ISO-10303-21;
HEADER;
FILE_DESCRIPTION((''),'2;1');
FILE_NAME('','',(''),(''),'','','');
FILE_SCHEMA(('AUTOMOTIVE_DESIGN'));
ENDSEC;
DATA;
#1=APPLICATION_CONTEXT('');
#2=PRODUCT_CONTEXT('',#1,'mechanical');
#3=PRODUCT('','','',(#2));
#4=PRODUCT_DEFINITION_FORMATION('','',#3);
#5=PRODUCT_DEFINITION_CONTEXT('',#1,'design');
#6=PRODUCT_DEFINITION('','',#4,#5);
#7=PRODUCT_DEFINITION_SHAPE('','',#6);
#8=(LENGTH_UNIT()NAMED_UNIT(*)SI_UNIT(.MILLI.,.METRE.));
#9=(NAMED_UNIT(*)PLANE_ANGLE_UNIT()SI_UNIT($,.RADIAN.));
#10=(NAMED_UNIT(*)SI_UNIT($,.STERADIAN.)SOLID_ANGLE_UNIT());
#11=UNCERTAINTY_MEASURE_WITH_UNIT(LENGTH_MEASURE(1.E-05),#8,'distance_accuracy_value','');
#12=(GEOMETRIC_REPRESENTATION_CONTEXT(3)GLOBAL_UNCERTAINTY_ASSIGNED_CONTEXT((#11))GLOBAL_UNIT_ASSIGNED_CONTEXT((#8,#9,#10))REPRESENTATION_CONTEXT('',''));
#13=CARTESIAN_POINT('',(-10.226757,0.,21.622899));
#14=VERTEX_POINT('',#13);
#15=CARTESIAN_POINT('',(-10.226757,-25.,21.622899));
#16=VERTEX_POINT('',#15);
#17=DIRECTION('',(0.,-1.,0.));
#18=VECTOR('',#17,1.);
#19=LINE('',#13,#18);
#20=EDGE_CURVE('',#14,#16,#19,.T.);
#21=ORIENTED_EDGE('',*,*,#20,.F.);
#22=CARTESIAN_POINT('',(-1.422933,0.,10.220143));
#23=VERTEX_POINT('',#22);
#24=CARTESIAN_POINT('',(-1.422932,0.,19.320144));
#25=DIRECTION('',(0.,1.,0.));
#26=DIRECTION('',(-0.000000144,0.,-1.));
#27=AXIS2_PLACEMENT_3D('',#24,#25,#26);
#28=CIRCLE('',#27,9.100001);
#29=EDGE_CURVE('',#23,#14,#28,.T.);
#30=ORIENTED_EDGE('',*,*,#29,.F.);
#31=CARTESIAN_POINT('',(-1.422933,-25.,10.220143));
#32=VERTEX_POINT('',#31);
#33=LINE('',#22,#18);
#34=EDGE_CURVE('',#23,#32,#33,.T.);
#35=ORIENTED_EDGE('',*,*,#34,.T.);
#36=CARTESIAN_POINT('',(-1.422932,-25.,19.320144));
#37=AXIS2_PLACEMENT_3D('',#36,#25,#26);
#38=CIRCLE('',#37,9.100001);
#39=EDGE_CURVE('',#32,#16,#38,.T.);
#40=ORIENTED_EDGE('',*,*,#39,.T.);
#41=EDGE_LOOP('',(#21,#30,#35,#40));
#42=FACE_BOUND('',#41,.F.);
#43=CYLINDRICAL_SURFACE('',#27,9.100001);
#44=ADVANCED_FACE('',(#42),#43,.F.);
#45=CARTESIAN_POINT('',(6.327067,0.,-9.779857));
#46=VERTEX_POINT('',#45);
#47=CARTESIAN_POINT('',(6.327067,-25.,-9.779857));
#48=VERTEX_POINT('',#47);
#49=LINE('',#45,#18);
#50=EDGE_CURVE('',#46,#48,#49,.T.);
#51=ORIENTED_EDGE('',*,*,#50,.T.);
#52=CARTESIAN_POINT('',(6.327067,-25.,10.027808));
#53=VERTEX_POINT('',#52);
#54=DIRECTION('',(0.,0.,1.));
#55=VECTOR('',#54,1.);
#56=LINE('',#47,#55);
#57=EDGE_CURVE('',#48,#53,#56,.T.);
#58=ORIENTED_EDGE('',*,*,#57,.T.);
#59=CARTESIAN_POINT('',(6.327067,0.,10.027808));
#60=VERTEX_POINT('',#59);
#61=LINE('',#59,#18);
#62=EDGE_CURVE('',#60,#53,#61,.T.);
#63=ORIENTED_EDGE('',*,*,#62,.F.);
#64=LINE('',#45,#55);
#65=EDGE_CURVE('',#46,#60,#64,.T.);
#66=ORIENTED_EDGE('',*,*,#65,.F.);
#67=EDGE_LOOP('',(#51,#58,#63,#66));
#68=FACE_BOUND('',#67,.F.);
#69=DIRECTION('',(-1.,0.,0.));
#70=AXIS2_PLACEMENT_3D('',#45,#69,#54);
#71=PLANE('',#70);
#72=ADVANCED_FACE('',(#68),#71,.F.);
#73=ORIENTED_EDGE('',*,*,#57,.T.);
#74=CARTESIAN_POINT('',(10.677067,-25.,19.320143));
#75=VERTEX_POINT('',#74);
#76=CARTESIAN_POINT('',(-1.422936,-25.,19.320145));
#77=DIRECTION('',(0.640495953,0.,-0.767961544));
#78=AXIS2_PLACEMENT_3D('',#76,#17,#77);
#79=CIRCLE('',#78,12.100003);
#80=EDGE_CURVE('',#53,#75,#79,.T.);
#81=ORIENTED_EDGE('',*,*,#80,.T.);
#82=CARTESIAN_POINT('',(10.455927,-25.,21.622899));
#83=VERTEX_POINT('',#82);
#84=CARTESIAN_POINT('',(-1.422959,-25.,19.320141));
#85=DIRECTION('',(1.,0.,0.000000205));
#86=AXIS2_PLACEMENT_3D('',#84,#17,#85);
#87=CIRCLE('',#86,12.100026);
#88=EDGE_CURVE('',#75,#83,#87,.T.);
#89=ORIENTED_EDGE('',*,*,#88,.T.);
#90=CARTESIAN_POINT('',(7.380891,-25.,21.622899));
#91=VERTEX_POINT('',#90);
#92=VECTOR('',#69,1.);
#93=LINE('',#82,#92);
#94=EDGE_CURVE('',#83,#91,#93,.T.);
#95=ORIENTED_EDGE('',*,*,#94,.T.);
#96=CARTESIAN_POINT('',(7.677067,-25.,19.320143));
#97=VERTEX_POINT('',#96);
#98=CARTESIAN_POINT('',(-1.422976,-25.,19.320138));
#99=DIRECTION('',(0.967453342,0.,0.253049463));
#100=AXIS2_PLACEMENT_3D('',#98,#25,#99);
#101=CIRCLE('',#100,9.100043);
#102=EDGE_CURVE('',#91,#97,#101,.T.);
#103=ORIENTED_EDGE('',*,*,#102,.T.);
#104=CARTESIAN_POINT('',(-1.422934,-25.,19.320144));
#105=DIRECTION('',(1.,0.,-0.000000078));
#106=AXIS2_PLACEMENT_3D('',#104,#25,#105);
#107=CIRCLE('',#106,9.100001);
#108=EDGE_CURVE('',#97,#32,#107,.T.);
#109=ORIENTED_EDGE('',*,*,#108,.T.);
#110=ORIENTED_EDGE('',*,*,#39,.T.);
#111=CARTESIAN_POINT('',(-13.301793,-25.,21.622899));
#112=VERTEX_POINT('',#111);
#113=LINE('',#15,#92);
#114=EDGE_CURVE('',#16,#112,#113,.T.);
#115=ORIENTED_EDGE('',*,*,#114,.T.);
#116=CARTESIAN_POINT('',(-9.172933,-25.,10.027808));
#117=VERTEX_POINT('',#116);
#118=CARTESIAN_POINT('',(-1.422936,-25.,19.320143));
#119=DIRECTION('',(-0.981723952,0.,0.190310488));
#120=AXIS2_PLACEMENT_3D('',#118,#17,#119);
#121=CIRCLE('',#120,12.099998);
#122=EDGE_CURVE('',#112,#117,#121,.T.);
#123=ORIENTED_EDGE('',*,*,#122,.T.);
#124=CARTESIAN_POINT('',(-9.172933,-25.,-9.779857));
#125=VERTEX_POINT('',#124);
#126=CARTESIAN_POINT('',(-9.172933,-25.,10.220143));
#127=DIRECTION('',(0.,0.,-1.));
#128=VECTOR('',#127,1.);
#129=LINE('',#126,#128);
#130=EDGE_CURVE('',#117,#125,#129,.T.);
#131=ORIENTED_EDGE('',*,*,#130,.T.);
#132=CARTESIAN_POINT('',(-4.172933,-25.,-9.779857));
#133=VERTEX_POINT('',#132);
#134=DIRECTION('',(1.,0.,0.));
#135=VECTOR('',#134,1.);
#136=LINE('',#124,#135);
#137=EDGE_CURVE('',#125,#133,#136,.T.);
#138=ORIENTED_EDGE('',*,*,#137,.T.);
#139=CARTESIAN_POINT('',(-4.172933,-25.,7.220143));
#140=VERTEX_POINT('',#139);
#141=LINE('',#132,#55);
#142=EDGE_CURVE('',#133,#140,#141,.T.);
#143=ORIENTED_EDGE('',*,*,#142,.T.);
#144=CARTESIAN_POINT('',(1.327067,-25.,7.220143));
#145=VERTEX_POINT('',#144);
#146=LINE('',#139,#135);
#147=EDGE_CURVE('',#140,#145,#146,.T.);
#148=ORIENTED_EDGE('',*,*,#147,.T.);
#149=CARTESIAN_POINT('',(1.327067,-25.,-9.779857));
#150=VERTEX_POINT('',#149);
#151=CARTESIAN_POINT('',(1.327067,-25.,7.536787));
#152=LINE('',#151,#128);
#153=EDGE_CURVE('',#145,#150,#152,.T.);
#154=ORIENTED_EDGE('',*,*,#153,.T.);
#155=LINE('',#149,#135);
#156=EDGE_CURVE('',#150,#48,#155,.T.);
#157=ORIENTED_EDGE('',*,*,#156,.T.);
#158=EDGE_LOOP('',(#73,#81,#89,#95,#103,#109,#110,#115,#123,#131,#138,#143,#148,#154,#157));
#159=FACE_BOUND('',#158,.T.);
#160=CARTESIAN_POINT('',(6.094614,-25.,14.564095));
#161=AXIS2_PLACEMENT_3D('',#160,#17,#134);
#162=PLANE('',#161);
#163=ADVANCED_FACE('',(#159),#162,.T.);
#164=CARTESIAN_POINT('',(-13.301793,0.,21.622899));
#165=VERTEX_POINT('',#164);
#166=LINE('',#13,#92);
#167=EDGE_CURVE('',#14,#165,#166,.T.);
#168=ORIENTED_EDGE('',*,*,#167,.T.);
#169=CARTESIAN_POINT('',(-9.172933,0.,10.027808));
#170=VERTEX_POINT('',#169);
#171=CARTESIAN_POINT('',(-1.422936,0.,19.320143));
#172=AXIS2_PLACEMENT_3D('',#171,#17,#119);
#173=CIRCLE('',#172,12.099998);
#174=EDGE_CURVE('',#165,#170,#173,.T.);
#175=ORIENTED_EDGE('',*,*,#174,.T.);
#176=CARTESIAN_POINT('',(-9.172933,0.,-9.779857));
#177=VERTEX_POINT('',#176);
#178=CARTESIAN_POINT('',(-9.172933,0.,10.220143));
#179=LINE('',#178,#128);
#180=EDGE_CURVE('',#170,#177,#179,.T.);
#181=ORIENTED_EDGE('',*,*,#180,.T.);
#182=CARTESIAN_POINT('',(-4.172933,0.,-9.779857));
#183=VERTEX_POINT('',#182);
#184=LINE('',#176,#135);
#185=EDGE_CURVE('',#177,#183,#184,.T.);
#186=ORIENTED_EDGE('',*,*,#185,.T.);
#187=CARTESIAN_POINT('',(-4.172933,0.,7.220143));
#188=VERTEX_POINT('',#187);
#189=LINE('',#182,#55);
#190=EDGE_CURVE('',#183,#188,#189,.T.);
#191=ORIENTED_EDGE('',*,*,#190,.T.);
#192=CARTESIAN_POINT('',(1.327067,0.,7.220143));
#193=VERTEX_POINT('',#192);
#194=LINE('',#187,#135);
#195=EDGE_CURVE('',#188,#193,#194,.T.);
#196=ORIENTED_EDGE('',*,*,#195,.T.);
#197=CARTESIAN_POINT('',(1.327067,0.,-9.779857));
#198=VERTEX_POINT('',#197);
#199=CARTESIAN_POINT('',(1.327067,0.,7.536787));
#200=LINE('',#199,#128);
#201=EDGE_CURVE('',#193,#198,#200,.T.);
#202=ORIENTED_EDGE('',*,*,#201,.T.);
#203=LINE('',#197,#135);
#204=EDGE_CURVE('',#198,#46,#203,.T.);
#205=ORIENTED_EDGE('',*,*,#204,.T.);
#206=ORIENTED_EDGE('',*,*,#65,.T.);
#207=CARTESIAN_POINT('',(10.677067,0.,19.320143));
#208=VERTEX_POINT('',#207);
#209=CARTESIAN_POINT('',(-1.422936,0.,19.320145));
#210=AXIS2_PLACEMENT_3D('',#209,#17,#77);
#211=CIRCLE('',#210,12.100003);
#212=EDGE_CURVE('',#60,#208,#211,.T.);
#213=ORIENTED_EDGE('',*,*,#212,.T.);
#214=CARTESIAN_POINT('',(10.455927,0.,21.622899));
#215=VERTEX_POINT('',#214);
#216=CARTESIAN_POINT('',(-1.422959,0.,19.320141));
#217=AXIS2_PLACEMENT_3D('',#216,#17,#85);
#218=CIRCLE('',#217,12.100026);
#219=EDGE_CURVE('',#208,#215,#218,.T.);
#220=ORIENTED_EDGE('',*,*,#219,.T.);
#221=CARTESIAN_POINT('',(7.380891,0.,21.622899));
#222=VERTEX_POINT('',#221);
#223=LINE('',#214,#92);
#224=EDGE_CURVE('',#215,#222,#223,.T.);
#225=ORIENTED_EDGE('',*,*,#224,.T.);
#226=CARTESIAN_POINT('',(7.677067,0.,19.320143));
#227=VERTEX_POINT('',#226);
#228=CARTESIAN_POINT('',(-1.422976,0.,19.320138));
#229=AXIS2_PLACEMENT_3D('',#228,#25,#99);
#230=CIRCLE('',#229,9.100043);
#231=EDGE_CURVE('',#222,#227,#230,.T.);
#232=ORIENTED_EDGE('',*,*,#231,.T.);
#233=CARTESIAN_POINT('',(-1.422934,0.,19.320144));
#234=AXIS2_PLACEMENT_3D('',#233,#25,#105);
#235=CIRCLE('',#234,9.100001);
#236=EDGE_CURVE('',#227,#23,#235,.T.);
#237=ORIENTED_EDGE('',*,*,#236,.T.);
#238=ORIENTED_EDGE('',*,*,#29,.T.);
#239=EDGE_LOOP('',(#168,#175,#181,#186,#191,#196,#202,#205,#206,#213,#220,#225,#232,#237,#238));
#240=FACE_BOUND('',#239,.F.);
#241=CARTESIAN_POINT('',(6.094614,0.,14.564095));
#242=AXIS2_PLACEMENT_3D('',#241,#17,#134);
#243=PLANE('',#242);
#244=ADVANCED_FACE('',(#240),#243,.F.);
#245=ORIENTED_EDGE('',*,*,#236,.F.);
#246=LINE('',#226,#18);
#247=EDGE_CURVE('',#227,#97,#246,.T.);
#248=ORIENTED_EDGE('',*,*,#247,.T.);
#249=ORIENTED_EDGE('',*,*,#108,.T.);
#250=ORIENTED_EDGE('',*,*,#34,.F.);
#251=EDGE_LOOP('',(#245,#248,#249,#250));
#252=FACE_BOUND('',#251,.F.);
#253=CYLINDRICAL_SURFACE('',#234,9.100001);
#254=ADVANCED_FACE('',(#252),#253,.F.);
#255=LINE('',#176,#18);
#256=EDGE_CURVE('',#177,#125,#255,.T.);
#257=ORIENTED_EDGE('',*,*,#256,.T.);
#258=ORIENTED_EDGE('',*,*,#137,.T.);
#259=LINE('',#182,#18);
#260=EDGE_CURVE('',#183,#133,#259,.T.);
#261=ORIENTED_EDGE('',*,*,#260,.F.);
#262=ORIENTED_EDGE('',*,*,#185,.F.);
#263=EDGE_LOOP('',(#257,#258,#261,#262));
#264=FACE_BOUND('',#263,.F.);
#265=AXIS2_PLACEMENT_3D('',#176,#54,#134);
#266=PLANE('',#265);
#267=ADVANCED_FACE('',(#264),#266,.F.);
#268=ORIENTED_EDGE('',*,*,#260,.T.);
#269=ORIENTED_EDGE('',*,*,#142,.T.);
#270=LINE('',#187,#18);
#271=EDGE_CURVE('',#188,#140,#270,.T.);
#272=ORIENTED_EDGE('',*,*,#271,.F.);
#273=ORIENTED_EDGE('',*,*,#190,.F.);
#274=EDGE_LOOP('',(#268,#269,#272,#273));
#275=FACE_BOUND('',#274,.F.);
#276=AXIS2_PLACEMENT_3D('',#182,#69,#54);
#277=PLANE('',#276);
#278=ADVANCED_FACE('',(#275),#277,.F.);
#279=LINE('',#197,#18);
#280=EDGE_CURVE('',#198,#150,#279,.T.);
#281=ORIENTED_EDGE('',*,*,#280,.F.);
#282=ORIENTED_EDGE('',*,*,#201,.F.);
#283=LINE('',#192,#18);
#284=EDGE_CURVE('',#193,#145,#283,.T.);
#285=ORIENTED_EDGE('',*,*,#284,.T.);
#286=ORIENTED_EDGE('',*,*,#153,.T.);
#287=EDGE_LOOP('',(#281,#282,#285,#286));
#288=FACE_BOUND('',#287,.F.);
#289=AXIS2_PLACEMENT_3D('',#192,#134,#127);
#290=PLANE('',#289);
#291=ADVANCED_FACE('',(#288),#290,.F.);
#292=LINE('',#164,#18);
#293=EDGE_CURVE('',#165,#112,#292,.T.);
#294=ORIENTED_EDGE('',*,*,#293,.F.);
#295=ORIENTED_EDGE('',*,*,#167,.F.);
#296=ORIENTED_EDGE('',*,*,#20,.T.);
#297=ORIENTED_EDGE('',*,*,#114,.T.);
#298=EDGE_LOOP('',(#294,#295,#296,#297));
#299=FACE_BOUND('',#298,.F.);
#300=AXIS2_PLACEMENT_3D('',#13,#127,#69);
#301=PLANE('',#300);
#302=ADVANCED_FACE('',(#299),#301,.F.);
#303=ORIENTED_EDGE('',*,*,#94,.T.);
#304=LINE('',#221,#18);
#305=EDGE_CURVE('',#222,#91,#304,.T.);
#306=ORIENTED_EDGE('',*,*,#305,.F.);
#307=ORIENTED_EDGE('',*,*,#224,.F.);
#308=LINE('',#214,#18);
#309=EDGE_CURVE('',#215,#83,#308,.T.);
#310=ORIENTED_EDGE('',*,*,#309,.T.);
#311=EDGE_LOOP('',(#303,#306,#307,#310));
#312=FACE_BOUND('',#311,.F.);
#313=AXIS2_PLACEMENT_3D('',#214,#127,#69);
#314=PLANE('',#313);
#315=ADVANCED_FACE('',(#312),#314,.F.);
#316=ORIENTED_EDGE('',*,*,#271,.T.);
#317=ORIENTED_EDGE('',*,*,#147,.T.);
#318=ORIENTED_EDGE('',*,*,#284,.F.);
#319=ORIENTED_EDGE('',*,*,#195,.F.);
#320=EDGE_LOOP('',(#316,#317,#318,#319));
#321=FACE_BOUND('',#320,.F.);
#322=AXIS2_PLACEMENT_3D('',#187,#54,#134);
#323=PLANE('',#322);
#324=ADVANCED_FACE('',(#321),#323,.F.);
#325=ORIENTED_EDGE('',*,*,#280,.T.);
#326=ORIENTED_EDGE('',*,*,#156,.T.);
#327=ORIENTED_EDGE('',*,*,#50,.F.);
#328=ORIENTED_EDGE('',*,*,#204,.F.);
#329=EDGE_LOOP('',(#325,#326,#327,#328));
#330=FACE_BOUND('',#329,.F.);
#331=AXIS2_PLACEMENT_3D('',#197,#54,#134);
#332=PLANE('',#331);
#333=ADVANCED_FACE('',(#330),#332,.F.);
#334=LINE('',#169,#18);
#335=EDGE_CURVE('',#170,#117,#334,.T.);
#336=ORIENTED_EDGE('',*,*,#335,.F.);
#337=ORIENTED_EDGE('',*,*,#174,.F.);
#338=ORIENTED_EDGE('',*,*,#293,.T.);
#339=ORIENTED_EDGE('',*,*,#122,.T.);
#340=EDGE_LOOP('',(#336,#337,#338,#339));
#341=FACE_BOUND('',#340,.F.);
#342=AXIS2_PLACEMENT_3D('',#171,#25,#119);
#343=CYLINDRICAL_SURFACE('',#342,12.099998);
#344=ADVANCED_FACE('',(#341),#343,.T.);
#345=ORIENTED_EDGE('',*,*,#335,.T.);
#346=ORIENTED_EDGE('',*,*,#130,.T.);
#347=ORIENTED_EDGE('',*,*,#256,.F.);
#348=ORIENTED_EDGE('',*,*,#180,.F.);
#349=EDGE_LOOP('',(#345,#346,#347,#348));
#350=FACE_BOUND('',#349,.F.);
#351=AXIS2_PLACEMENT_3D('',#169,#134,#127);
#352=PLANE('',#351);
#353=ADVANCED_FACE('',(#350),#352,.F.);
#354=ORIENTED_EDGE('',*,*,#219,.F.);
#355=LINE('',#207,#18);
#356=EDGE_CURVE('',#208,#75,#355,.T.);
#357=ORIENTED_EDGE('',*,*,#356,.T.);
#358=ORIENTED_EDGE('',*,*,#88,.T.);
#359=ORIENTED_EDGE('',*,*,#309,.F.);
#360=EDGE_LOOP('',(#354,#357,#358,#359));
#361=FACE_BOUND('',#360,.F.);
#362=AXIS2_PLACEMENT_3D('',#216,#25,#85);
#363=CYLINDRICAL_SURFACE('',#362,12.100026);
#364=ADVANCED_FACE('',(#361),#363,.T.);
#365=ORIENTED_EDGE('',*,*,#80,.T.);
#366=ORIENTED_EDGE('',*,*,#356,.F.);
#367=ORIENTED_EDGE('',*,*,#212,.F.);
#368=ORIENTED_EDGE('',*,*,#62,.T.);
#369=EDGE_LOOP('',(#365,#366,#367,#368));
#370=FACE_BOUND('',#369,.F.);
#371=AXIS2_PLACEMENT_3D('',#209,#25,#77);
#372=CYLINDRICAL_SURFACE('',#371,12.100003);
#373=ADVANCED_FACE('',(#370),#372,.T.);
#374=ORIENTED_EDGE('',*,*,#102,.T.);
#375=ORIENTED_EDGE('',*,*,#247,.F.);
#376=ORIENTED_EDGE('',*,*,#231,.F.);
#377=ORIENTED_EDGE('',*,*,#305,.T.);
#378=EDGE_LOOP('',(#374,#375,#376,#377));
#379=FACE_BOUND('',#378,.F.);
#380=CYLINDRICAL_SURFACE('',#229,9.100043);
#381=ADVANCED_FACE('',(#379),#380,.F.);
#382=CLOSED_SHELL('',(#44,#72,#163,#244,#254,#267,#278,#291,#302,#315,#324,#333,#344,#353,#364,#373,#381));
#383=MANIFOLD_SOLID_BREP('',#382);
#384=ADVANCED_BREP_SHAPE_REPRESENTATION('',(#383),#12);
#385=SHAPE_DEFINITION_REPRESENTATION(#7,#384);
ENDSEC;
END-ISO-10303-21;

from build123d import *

# Parameters (mm, degrees)
F1_DEPTH = 25


with BuildPart() as f1:
    # F0 (on Front) → F1 (new body)
    with BuildSketch(Plane.XZ):
        with BuildLine():
            Line((-1.422933, 10.220143), (1.327067, 10.220143))
            Line((1.327067, 10.220143), (6.327067, 10.220143))
            Line((6.327067, 10.220143), (6.327067, 10.027808))
            ThreePointArc((6.327067, 10.027808), (9.535739, 14.190085), (10.677067, 19.320143))
            ThreePointArc((10.677067, 19.320143), (10.621655, 20.476818), (10.455927, 21.622899))
            Line((10.455927, 21.622899), (7.380891, 21.622899))
            ThreePointArc((7.380891, 21.622899), (7.602719, 20.481005), (7.677067, 19.320143))
            ThreePointArc((7.677067, 19.320143), (5.011739, 12.885472), (-1.422933, 10.220143))
        make_face()
        with BuildLine():
            ThreePointArc((-9.172933, 10.027808), (-6.818653, 8.489806), (-4.172933, 7.536787))
            Line((-4.172933, 7.536787), (-4.172933, 10.220143))
            Line((-4.172933, 10.220143), (-9.172933, 10.220143))
            Line((-9.172933, 10.220143), (-9.172933, 10.027808))
        make_face()
        with BuildLine():
            ThreePointArc((-4.172933, 7.536787), (-2.807018, 7.299565), (-1.422933, 7.220143))
            ThreePointArc((-1.422933, 7.220143), (-0.038848, 7.299565), (1.327067, 7.536787))
            Line((1.327067, 7.536787), (1.327067, 10.220143))
            Line((1.327067, 10.220143), (-1.422933, 10.220143))
            Line((-1.422933, 10.220143), (-4.172933, 10.220143))
            Line((-4.172933, 10.220143), (-4.172933, 7.536787))
        make_face()
        with BuildLine():
            Line((1.327067, 10.220143), (1.327067, 7.536787))
            ThreePointArc((1.327067, 7.536787), (3.972787, 8.489806), (6.327067, 10.027808))
            Line((6.327067, 10.027808), (6.327067, 10.220143))
            Line((6.327067, 10.220143), (1.327067, 10.220143))
        make_face()
        with BuildLine():
            Line((1.327067, 7.536787), (1.327067, 7.220143))
            Line((1.327067, 7.220143), (1.327067, -9.779857))
            Line((1.327067, -9.779857), (6.327067, -9.779857))
            Line((6.327067, -9.779857), (6.327067, 10.027808))
            ThreePointArc((6.327067, 10.027808), (3.972787, 8.489806), (1.327067, 7.536787))
        make_face()
        with BuildLine():
            ThreePointArc((1.327067, 7.536787), (-0.038848, 7.299565), (-1.422933, 7.220143))
            Line((-1.422933, 7.220143), (1.327067, 7.220143))
            Line((1.327067, 7.220143), (1.327067, 7.536787))
        make_face()
        with BuildLine():
            Line((-4.172933, 7.536787), (-4.172933, 7.220143))
            Line((-4.172933, 7.220143), (-1.422933, 7.220143))
            ThreePointArc((-1.422933, 7.220143), (-2.807018, 7.299565), (-4.172933, 7.536787))
        make_face()
        with BuildLine():
            Line((-4.172933, -9.779857), (-4.172933, 7.220143))
            Line((-4.172933, 7.220143), (-4.172933, 7.536787))
            ThreePointArc((-4.172933, 7.536787), (-6.818653, 8.489806), (-9.172933, 10.027808))
            Line((-9.172933, 10.027808), (-9.172933, -9.779857))
            Line((-9.172933, -9.779857), (-4.172933, -9.779857))
        make_face()
        with BuildLine():
            Line((-9.172933, 10.220143), (-4.172933, 10.220143))
            Line((-4.172933, 10.220143), (-1.422933, 10.220143))
            ThreePointArc((-1.422933, 10.220143), (-8.625886, 13.758897), (-10.226757, 21.622899))
            Line((-10.226757, 21.622899), (-13.301793, 21.622899))
            ThreePointArc((-13.301793, 21.622899), (-12.821818, 15.26115), (-9.172933, 10.027808))
            Line((-9.172933, 10.027808), (-9.172933, 10.220143))
        make_face()
    extrude(amount=F1_DEPTH)


solid = f1.part
